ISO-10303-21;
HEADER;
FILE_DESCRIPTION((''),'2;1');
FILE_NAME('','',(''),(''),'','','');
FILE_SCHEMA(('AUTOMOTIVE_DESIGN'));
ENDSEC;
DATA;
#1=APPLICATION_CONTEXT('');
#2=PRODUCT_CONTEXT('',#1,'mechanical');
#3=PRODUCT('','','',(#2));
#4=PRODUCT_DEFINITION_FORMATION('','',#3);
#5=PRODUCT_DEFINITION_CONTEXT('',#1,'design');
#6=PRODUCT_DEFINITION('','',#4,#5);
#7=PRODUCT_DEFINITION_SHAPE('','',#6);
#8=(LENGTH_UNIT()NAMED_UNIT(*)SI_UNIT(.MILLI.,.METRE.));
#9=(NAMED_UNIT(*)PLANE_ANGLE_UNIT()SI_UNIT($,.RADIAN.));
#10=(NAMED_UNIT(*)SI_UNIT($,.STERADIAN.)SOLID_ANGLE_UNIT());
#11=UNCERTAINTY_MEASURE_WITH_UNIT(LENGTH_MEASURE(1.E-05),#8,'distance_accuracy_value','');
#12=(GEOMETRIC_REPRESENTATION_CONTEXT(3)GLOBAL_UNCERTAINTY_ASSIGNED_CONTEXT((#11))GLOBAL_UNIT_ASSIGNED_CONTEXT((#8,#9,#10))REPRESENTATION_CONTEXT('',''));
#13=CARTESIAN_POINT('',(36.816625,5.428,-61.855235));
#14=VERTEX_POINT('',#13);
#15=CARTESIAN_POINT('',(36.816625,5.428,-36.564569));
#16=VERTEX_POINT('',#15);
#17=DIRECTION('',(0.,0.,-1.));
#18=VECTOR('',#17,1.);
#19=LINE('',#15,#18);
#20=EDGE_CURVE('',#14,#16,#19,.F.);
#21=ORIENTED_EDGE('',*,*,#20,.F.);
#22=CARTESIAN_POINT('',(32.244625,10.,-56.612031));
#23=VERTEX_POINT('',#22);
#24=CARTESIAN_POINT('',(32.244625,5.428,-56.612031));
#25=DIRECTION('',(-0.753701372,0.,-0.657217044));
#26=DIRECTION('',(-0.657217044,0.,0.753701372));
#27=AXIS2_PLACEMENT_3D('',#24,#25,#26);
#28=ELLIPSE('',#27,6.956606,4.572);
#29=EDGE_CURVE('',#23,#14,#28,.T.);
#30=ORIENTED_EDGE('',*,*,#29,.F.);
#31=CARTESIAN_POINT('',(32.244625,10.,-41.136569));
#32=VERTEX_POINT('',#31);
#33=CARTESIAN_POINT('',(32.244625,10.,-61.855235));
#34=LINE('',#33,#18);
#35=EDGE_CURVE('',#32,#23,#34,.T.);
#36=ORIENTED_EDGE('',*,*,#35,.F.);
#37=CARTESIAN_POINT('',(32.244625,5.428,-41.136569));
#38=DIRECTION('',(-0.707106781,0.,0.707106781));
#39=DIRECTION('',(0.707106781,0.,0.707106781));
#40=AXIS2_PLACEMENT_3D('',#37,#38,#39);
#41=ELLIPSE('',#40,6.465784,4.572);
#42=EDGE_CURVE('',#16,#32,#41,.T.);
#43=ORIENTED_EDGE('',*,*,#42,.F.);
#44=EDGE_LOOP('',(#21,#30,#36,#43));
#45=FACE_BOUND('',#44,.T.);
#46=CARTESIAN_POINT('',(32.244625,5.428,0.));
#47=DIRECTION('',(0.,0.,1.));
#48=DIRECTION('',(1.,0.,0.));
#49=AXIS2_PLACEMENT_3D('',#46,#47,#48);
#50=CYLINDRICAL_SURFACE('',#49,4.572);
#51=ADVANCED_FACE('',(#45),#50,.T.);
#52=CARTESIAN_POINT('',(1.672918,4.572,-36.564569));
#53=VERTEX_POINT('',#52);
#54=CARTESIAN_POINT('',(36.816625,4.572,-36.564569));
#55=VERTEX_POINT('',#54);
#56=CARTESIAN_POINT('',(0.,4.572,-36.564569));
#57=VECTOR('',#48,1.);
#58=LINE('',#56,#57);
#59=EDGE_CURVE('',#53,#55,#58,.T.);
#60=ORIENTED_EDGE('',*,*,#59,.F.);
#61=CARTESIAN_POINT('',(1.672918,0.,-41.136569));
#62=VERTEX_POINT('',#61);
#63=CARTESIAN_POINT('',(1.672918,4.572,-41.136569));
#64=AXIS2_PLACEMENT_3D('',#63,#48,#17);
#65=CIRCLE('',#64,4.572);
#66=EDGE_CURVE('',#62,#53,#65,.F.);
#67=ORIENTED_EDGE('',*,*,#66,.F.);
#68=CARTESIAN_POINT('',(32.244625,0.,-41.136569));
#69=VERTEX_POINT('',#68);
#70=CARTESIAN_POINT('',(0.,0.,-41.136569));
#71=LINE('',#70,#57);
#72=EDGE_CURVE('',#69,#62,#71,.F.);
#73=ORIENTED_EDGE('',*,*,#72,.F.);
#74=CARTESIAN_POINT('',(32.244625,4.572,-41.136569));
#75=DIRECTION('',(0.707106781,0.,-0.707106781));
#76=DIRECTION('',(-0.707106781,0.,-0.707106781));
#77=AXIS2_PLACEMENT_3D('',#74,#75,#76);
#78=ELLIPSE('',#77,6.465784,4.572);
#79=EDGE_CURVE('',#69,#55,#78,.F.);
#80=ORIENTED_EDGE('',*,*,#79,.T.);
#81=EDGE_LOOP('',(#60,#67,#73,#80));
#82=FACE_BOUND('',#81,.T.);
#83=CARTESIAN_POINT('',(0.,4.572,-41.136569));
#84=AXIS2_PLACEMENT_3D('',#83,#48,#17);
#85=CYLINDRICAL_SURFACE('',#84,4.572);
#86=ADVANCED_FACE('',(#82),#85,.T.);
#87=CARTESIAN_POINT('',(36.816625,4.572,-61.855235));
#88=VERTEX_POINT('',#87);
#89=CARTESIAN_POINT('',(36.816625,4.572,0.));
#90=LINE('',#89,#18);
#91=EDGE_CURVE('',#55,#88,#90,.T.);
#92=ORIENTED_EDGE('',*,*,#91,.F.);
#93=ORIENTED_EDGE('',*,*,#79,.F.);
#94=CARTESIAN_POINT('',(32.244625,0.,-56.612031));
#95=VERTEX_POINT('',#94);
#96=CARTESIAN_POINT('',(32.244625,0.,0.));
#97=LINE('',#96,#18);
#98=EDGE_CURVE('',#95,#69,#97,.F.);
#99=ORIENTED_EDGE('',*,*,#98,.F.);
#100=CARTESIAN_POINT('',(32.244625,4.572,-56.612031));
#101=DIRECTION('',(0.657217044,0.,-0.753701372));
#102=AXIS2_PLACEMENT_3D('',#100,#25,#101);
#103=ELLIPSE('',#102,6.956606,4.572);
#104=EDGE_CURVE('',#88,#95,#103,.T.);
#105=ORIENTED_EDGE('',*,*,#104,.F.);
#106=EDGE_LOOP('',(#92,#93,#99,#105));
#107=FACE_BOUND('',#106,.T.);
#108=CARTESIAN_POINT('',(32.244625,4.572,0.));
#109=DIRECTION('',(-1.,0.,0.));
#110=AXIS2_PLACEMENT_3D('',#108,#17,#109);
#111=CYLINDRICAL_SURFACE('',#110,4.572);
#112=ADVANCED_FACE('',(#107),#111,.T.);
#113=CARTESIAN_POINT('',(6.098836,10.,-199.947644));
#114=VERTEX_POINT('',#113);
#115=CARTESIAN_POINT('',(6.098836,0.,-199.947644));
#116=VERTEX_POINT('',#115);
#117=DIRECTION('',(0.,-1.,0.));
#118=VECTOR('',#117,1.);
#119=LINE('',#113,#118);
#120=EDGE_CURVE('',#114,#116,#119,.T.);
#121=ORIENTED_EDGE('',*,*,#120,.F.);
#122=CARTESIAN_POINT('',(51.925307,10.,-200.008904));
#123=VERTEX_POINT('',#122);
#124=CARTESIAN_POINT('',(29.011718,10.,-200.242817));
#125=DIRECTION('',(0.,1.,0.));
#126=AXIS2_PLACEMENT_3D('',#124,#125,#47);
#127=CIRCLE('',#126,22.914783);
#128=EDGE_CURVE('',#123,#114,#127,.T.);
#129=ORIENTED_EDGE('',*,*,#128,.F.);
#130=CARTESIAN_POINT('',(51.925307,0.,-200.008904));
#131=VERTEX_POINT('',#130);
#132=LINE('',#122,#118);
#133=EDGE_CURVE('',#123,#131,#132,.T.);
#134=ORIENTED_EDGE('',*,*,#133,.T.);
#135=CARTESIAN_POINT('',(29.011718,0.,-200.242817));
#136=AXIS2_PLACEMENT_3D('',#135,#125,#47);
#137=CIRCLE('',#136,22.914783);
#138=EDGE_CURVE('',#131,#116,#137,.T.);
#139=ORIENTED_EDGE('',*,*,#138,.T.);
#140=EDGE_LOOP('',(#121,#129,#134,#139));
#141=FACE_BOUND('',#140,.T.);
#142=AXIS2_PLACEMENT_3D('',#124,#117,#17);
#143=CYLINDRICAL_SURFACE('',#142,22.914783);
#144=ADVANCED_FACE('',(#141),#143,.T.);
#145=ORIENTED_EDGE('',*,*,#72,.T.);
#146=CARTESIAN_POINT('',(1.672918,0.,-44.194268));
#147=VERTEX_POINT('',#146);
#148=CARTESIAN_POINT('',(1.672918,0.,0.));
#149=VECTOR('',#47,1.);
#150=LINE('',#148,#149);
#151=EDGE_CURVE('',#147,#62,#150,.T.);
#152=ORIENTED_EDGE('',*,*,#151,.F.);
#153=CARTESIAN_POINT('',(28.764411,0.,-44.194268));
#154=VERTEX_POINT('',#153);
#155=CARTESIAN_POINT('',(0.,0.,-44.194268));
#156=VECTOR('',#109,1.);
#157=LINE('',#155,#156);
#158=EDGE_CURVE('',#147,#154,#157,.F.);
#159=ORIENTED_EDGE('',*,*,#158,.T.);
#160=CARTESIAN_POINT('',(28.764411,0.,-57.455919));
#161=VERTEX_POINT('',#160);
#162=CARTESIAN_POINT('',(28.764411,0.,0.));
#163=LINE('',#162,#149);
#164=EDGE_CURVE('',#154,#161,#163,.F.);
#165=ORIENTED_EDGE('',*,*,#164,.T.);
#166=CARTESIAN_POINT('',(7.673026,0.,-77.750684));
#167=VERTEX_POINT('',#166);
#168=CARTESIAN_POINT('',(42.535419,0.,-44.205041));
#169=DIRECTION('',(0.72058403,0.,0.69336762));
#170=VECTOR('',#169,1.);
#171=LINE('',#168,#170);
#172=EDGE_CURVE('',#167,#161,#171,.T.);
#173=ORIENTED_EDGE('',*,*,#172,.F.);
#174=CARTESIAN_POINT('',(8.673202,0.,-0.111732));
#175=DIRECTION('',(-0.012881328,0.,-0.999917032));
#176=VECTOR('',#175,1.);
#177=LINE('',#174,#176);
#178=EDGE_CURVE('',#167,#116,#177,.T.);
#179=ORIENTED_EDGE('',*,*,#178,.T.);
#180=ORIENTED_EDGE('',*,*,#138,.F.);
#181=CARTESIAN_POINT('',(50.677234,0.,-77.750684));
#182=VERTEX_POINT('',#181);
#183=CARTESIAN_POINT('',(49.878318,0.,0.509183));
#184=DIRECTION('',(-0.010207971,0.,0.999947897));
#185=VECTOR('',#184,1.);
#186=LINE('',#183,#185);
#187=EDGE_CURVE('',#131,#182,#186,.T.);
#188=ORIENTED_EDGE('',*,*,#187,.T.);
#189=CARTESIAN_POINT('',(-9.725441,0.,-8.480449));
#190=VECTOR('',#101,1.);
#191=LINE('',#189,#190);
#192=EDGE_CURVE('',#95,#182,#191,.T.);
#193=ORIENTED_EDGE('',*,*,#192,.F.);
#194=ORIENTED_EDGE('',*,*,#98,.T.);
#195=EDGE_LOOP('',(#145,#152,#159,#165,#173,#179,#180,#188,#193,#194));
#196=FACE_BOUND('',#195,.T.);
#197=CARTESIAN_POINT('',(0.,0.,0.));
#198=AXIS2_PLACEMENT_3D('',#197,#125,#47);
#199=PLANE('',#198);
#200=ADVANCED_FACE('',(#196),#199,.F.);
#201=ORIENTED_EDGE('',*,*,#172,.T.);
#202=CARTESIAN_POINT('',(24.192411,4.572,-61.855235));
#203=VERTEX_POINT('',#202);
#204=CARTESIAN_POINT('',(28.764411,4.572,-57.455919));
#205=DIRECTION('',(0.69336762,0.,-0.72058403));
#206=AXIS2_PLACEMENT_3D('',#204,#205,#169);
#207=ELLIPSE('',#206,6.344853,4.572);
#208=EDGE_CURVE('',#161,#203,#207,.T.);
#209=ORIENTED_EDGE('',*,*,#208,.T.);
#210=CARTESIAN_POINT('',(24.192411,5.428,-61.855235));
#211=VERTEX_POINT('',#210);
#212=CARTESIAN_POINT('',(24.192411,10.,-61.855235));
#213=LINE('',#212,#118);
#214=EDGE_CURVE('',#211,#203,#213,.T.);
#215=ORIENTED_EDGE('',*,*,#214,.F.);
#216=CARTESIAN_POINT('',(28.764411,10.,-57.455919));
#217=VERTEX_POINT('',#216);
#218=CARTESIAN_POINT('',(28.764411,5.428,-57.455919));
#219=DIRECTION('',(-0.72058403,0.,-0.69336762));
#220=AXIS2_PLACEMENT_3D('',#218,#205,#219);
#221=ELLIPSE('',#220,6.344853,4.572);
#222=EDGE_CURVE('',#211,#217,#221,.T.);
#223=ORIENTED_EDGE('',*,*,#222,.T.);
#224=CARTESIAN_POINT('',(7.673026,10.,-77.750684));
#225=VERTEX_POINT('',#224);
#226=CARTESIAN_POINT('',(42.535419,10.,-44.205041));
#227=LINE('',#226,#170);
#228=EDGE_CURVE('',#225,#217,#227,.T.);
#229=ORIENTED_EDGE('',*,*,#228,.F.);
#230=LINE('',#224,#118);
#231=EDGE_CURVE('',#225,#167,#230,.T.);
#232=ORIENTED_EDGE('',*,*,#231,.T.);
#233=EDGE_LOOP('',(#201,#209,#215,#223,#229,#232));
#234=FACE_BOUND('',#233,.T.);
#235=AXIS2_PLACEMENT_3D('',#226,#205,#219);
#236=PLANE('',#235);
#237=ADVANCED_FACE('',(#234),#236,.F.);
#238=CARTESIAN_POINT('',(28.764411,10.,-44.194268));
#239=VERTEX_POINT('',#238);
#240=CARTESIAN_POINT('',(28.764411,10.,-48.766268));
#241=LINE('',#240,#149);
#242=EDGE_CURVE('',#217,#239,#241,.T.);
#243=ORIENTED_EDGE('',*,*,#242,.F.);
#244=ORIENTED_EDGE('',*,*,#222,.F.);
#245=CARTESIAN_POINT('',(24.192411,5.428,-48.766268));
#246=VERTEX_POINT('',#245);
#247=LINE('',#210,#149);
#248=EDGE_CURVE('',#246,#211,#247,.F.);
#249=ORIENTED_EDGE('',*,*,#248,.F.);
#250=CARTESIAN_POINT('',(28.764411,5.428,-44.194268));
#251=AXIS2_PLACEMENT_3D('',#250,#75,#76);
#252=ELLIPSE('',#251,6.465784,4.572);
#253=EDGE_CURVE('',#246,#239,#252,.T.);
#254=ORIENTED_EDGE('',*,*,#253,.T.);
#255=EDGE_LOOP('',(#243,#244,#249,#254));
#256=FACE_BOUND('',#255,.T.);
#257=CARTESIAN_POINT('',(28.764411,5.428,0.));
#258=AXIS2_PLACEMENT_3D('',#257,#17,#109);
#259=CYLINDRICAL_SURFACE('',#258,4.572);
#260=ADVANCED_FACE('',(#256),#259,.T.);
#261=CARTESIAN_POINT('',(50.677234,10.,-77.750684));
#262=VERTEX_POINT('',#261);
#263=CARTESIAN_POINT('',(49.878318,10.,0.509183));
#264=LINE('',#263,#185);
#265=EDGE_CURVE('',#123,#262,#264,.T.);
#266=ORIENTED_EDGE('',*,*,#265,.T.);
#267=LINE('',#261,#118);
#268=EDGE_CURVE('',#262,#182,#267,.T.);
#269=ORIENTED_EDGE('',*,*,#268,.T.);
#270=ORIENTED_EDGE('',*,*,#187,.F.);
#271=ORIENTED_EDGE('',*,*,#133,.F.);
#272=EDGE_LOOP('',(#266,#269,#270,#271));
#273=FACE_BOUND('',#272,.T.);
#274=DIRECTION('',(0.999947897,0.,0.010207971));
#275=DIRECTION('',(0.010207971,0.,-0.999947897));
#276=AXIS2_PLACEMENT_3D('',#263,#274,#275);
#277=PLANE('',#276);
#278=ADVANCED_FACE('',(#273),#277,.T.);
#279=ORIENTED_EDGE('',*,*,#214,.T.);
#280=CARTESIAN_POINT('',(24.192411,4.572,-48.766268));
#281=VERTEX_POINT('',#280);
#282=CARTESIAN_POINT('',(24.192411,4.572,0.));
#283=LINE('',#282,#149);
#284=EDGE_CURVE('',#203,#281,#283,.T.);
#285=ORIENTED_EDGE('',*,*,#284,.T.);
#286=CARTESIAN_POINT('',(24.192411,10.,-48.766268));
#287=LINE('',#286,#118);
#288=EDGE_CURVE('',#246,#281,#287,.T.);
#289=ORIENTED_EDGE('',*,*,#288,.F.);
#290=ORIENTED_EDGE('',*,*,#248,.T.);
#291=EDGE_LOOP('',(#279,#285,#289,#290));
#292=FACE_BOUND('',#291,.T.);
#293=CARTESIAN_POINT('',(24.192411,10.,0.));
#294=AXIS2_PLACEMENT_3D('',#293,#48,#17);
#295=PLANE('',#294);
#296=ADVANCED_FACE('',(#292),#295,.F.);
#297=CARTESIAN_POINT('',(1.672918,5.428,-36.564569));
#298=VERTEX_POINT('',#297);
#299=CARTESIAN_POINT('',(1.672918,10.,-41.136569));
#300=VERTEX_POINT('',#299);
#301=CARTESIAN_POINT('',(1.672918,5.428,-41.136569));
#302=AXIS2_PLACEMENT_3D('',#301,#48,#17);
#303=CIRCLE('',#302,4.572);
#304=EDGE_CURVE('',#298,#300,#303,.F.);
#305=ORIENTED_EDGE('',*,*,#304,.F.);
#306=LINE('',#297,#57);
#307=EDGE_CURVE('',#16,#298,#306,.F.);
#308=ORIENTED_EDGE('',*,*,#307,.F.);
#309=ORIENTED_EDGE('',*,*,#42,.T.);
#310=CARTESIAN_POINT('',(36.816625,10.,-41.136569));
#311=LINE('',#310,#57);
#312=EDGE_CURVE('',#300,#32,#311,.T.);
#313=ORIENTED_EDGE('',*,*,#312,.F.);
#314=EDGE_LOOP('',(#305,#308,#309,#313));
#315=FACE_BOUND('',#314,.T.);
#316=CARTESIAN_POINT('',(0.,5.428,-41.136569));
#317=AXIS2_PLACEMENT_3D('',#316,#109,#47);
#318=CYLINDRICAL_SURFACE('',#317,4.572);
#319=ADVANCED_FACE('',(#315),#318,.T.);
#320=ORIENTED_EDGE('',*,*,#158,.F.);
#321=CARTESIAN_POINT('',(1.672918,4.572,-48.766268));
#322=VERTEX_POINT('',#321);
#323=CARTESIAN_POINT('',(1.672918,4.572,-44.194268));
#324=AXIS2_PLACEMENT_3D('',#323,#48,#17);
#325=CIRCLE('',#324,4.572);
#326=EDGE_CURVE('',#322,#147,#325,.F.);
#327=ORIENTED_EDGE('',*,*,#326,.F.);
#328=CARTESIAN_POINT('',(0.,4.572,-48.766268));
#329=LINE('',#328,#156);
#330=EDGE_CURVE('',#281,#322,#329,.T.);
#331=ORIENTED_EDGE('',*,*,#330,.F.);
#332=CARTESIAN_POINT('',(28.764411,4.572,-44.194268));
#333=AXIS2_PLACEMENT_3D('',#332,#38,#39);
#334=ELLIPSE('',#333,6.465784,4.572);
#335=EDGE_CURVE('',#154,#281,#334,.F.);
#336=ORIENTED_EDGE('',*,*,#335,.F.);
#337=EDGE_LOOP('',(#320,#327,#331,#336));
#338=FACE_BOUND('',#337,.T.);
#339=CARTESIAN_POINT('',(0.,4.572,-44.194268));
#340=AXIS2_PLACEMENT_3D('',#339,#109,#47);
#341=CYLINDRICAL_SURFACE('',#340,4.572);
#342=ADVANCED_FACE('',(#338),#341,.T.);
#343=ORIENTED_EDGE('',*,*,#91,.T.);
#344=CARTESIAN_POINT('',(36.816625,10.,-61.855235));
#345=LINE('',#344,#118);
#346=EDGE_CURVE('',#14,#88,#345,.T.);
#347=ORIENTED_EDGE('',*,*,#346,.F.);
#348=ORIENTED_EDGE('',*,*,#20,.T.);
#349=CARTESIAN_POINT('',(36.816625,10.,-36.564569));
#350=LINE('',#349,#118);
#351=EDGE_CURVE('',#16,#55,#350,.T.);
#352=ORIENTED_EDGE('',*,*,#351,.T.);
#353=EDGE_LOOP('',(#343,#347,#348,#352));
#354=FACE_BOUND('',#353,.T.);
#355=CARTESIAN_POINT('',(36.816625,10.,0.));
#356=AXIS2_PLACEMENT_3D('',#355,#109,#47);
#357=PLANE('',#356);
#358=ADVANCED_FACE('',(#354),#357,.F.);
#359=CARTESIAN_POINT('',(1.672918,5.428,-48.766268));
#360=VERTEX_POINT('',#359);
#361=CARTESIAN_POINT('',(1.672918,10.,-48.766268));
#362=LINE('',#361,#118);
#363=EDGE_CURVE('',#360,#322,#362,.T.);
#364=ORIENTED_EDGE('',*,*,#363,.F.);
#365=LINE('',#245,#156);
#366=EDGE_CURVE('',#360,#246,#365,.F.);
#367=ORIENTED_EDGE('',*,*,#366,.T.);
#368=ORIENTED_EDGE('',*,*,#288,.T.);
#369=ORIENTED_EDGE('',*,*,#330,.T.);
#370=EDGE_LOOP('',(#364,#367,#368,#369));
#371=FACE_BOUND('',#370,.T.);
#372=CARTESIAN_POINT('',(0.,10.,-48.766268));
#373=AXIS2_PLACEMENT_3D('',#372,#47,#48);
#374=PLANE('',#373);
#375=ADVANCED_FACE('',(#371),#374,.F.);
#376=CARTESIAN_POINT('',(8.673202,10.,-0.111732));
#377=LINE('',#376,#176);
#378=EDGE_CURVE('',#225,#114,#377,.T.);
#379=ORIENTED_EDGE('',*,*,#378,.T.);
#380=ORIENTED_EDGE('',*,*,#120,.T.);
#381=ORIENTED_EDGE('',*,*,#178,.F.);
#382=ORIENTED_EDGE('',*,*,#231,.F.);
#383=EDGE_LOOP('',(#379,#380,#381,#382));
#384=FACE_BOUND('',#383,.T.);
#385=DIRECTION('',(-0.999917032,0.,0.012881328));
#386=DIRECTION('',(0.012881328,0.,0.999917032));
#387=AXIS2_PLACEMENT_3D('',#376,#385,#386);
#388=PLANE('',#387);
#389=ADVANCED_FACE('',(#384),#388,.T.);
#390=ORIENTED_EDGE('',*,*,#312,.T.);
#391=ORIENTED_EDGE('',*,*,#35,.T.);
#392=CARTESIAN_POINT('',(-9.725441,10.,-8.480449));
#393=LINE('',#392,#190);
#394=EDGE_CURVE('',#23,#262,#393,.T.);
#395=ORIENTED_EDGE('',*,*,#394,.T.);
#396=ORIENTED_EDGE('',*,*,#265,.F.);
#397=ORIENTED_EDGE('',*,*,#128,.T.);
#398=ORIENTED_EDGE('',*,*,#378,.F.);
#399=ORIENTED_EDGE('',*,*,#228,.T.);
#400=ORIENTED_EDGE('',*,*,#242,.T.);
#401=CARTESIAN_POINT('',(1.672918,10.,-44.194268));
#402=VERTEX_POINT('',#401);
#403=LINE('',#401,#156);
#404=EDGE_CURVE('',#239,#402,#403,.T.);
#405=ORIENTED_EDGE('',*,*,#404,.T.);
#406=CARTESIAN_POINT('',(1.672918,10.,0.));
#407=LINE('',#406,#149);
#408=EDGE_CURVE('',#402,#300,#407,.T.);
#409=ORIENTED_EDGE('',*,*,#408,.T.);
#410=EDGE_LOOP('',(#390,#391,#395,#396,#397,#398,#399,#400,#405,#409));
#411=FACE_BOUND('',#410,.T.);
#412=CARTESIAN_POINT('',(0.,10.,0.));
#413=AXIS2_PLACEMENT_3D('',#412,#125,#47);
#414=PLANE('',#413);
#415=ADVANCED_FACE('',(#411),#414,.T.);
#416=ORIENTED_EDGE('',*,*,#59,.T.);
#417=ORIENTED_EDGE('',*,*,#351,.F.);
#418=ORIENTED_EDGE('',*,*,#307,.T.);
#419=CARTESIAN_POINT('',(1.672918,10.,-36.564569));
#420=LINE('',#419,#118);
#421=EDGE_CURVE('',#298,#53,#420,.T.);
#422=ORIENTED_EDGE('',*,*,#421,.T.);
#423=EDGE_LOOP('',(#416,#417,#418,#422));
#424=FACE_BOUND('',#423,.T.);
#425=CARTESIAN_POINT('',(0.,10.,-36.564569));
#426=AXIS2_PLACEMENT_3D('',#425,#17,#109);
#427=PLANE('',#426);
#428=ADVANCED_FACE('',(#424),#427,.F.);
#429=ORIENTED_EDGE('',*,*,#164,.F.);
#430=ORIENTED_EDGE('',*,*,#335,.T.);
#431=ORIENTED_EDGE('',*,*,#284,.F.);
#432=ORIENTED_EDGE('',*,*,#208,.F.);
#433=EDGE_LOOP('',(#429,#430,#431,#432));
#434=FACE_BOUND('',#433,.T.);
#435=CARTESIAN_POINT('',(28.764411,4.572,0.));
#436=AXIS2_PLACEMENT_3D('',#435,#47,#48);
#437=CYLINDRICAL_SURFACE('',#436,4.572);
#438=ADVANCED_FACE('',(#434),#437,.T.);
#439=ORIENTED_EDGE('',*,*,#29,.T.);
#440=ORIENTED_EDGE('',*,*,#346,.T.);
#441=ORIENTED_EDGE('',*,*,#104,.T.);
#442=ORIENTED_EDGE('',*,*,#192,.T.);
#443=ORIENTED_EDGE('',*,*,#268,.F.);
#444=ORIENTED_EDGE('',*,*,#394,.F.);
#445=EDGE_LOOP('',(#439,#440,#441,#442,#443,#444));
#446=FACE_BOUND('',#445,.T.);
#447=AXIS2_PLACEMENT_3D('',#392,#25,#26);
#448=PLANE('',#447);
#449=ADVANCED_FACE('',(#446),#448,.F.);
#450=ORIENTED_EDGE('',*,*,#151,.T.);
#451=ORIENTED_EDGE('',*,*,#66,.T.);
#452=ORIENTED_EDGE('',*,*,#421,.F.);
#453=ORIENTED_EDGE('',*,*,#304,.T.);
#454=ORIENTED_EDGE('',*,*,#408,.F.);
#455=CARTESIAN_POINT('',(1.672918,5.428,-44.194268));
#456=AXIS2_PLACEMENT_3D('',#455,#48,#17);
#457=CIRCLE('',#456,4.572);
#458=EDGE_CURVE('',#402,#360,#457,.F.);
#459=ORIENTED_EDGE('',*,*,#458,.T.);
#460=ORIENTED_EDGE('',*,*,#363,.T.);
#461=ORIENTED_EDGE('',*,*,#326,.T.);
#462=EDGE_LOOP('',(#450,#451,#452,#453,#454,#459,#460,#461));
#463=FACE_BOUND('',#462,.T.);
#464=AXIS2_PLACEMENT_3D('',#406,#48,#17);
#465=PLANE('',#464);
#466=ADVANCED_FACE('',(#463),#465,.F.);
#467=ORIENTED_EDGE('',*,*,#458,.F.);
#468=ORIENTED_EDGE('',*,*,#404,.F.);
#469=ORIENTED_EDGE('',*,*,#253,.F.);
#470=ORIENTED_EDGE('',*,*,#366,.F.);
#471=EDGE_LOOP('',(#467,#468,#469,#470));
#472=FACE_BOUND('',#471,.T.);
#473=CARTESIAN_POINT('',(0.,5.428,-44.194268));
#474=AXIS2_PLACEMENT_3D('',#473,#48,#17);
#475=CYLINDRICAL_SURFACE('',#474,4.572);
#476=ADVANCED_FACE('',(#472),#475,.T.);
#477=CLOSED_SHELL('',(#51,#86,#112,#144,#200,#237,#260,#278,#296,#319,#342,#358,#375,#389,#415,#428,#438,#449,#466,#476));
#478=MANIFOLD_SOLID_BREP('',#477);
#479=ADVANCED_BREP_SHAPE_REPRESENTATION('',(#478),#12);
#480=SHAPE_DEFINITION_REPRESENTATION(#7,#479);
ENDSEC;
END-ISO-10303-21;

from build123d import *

# Parameters (mm, degrees)
BOSS_EXTRUDE1_DEPTH = 10
FILLET1_R           = 4.572


with BuildPart() as part:
    # Sketch2 → Boss-Extrude1 (new body)
    with BuildSketch(Plane(origin=(0, 0, 0), x_dir=(1, 0, 0), z_dir=(0, 1, 0))):
        with BuildLine():
            Line((6.098836138, 199.947644416), (7.673025909, 77.750683868))
            Line((7.673025909, 77.750683868), (24.192411242, 61.855234605))
            Line((24.192411242, 61.855234605), (24.192411242, 48.766267951))
            Line((24.192411242, 48.766267951), (1.672918099, 48.766267951))
            Line((1.672918099, 48.766267951), (1.672918099, 36.564568547))
            Line((1.672918099, 36.564568547), (36.816624548, 36.564568547))
            Line((36.816624548, 36.564568547), (36.816624548, 61.855234605))
            Line((36.816624548, 61.855234605), (50.677233754, 77.750683868))
            Line((50.677233754, 77.750683868), (51.925307167, 200.008903269))
            ThreePointArc((51.925307167, 200.008903269), (28.981086555, 223.157579607), (6.098836138, 199.947644416))
        make_face()
    extrude(amount=BOSS_EXTRUDE1_DEPTH)

    # Fillet1
    fillet1_edges = [part.edges().sort_by_distance(p)[0] for p in [
        (36.816624548, 0, -49.209901576),
        (19.244771323, 0, -36.564568547),
        (12.932664671, 0, -48.766267951),
        (24.192411242, 0, -55.310751278),
        (24.192411242, 10, -55.310751278),
        (12.932664671, 10, -48.766267951),
        (19.244771323, 10, -36.564568547),
        (36.816624548, 10, -49.209901576),
    ]]
    fillet(fillet1_edges, radius=FILLET1_R)


solid = part.part
